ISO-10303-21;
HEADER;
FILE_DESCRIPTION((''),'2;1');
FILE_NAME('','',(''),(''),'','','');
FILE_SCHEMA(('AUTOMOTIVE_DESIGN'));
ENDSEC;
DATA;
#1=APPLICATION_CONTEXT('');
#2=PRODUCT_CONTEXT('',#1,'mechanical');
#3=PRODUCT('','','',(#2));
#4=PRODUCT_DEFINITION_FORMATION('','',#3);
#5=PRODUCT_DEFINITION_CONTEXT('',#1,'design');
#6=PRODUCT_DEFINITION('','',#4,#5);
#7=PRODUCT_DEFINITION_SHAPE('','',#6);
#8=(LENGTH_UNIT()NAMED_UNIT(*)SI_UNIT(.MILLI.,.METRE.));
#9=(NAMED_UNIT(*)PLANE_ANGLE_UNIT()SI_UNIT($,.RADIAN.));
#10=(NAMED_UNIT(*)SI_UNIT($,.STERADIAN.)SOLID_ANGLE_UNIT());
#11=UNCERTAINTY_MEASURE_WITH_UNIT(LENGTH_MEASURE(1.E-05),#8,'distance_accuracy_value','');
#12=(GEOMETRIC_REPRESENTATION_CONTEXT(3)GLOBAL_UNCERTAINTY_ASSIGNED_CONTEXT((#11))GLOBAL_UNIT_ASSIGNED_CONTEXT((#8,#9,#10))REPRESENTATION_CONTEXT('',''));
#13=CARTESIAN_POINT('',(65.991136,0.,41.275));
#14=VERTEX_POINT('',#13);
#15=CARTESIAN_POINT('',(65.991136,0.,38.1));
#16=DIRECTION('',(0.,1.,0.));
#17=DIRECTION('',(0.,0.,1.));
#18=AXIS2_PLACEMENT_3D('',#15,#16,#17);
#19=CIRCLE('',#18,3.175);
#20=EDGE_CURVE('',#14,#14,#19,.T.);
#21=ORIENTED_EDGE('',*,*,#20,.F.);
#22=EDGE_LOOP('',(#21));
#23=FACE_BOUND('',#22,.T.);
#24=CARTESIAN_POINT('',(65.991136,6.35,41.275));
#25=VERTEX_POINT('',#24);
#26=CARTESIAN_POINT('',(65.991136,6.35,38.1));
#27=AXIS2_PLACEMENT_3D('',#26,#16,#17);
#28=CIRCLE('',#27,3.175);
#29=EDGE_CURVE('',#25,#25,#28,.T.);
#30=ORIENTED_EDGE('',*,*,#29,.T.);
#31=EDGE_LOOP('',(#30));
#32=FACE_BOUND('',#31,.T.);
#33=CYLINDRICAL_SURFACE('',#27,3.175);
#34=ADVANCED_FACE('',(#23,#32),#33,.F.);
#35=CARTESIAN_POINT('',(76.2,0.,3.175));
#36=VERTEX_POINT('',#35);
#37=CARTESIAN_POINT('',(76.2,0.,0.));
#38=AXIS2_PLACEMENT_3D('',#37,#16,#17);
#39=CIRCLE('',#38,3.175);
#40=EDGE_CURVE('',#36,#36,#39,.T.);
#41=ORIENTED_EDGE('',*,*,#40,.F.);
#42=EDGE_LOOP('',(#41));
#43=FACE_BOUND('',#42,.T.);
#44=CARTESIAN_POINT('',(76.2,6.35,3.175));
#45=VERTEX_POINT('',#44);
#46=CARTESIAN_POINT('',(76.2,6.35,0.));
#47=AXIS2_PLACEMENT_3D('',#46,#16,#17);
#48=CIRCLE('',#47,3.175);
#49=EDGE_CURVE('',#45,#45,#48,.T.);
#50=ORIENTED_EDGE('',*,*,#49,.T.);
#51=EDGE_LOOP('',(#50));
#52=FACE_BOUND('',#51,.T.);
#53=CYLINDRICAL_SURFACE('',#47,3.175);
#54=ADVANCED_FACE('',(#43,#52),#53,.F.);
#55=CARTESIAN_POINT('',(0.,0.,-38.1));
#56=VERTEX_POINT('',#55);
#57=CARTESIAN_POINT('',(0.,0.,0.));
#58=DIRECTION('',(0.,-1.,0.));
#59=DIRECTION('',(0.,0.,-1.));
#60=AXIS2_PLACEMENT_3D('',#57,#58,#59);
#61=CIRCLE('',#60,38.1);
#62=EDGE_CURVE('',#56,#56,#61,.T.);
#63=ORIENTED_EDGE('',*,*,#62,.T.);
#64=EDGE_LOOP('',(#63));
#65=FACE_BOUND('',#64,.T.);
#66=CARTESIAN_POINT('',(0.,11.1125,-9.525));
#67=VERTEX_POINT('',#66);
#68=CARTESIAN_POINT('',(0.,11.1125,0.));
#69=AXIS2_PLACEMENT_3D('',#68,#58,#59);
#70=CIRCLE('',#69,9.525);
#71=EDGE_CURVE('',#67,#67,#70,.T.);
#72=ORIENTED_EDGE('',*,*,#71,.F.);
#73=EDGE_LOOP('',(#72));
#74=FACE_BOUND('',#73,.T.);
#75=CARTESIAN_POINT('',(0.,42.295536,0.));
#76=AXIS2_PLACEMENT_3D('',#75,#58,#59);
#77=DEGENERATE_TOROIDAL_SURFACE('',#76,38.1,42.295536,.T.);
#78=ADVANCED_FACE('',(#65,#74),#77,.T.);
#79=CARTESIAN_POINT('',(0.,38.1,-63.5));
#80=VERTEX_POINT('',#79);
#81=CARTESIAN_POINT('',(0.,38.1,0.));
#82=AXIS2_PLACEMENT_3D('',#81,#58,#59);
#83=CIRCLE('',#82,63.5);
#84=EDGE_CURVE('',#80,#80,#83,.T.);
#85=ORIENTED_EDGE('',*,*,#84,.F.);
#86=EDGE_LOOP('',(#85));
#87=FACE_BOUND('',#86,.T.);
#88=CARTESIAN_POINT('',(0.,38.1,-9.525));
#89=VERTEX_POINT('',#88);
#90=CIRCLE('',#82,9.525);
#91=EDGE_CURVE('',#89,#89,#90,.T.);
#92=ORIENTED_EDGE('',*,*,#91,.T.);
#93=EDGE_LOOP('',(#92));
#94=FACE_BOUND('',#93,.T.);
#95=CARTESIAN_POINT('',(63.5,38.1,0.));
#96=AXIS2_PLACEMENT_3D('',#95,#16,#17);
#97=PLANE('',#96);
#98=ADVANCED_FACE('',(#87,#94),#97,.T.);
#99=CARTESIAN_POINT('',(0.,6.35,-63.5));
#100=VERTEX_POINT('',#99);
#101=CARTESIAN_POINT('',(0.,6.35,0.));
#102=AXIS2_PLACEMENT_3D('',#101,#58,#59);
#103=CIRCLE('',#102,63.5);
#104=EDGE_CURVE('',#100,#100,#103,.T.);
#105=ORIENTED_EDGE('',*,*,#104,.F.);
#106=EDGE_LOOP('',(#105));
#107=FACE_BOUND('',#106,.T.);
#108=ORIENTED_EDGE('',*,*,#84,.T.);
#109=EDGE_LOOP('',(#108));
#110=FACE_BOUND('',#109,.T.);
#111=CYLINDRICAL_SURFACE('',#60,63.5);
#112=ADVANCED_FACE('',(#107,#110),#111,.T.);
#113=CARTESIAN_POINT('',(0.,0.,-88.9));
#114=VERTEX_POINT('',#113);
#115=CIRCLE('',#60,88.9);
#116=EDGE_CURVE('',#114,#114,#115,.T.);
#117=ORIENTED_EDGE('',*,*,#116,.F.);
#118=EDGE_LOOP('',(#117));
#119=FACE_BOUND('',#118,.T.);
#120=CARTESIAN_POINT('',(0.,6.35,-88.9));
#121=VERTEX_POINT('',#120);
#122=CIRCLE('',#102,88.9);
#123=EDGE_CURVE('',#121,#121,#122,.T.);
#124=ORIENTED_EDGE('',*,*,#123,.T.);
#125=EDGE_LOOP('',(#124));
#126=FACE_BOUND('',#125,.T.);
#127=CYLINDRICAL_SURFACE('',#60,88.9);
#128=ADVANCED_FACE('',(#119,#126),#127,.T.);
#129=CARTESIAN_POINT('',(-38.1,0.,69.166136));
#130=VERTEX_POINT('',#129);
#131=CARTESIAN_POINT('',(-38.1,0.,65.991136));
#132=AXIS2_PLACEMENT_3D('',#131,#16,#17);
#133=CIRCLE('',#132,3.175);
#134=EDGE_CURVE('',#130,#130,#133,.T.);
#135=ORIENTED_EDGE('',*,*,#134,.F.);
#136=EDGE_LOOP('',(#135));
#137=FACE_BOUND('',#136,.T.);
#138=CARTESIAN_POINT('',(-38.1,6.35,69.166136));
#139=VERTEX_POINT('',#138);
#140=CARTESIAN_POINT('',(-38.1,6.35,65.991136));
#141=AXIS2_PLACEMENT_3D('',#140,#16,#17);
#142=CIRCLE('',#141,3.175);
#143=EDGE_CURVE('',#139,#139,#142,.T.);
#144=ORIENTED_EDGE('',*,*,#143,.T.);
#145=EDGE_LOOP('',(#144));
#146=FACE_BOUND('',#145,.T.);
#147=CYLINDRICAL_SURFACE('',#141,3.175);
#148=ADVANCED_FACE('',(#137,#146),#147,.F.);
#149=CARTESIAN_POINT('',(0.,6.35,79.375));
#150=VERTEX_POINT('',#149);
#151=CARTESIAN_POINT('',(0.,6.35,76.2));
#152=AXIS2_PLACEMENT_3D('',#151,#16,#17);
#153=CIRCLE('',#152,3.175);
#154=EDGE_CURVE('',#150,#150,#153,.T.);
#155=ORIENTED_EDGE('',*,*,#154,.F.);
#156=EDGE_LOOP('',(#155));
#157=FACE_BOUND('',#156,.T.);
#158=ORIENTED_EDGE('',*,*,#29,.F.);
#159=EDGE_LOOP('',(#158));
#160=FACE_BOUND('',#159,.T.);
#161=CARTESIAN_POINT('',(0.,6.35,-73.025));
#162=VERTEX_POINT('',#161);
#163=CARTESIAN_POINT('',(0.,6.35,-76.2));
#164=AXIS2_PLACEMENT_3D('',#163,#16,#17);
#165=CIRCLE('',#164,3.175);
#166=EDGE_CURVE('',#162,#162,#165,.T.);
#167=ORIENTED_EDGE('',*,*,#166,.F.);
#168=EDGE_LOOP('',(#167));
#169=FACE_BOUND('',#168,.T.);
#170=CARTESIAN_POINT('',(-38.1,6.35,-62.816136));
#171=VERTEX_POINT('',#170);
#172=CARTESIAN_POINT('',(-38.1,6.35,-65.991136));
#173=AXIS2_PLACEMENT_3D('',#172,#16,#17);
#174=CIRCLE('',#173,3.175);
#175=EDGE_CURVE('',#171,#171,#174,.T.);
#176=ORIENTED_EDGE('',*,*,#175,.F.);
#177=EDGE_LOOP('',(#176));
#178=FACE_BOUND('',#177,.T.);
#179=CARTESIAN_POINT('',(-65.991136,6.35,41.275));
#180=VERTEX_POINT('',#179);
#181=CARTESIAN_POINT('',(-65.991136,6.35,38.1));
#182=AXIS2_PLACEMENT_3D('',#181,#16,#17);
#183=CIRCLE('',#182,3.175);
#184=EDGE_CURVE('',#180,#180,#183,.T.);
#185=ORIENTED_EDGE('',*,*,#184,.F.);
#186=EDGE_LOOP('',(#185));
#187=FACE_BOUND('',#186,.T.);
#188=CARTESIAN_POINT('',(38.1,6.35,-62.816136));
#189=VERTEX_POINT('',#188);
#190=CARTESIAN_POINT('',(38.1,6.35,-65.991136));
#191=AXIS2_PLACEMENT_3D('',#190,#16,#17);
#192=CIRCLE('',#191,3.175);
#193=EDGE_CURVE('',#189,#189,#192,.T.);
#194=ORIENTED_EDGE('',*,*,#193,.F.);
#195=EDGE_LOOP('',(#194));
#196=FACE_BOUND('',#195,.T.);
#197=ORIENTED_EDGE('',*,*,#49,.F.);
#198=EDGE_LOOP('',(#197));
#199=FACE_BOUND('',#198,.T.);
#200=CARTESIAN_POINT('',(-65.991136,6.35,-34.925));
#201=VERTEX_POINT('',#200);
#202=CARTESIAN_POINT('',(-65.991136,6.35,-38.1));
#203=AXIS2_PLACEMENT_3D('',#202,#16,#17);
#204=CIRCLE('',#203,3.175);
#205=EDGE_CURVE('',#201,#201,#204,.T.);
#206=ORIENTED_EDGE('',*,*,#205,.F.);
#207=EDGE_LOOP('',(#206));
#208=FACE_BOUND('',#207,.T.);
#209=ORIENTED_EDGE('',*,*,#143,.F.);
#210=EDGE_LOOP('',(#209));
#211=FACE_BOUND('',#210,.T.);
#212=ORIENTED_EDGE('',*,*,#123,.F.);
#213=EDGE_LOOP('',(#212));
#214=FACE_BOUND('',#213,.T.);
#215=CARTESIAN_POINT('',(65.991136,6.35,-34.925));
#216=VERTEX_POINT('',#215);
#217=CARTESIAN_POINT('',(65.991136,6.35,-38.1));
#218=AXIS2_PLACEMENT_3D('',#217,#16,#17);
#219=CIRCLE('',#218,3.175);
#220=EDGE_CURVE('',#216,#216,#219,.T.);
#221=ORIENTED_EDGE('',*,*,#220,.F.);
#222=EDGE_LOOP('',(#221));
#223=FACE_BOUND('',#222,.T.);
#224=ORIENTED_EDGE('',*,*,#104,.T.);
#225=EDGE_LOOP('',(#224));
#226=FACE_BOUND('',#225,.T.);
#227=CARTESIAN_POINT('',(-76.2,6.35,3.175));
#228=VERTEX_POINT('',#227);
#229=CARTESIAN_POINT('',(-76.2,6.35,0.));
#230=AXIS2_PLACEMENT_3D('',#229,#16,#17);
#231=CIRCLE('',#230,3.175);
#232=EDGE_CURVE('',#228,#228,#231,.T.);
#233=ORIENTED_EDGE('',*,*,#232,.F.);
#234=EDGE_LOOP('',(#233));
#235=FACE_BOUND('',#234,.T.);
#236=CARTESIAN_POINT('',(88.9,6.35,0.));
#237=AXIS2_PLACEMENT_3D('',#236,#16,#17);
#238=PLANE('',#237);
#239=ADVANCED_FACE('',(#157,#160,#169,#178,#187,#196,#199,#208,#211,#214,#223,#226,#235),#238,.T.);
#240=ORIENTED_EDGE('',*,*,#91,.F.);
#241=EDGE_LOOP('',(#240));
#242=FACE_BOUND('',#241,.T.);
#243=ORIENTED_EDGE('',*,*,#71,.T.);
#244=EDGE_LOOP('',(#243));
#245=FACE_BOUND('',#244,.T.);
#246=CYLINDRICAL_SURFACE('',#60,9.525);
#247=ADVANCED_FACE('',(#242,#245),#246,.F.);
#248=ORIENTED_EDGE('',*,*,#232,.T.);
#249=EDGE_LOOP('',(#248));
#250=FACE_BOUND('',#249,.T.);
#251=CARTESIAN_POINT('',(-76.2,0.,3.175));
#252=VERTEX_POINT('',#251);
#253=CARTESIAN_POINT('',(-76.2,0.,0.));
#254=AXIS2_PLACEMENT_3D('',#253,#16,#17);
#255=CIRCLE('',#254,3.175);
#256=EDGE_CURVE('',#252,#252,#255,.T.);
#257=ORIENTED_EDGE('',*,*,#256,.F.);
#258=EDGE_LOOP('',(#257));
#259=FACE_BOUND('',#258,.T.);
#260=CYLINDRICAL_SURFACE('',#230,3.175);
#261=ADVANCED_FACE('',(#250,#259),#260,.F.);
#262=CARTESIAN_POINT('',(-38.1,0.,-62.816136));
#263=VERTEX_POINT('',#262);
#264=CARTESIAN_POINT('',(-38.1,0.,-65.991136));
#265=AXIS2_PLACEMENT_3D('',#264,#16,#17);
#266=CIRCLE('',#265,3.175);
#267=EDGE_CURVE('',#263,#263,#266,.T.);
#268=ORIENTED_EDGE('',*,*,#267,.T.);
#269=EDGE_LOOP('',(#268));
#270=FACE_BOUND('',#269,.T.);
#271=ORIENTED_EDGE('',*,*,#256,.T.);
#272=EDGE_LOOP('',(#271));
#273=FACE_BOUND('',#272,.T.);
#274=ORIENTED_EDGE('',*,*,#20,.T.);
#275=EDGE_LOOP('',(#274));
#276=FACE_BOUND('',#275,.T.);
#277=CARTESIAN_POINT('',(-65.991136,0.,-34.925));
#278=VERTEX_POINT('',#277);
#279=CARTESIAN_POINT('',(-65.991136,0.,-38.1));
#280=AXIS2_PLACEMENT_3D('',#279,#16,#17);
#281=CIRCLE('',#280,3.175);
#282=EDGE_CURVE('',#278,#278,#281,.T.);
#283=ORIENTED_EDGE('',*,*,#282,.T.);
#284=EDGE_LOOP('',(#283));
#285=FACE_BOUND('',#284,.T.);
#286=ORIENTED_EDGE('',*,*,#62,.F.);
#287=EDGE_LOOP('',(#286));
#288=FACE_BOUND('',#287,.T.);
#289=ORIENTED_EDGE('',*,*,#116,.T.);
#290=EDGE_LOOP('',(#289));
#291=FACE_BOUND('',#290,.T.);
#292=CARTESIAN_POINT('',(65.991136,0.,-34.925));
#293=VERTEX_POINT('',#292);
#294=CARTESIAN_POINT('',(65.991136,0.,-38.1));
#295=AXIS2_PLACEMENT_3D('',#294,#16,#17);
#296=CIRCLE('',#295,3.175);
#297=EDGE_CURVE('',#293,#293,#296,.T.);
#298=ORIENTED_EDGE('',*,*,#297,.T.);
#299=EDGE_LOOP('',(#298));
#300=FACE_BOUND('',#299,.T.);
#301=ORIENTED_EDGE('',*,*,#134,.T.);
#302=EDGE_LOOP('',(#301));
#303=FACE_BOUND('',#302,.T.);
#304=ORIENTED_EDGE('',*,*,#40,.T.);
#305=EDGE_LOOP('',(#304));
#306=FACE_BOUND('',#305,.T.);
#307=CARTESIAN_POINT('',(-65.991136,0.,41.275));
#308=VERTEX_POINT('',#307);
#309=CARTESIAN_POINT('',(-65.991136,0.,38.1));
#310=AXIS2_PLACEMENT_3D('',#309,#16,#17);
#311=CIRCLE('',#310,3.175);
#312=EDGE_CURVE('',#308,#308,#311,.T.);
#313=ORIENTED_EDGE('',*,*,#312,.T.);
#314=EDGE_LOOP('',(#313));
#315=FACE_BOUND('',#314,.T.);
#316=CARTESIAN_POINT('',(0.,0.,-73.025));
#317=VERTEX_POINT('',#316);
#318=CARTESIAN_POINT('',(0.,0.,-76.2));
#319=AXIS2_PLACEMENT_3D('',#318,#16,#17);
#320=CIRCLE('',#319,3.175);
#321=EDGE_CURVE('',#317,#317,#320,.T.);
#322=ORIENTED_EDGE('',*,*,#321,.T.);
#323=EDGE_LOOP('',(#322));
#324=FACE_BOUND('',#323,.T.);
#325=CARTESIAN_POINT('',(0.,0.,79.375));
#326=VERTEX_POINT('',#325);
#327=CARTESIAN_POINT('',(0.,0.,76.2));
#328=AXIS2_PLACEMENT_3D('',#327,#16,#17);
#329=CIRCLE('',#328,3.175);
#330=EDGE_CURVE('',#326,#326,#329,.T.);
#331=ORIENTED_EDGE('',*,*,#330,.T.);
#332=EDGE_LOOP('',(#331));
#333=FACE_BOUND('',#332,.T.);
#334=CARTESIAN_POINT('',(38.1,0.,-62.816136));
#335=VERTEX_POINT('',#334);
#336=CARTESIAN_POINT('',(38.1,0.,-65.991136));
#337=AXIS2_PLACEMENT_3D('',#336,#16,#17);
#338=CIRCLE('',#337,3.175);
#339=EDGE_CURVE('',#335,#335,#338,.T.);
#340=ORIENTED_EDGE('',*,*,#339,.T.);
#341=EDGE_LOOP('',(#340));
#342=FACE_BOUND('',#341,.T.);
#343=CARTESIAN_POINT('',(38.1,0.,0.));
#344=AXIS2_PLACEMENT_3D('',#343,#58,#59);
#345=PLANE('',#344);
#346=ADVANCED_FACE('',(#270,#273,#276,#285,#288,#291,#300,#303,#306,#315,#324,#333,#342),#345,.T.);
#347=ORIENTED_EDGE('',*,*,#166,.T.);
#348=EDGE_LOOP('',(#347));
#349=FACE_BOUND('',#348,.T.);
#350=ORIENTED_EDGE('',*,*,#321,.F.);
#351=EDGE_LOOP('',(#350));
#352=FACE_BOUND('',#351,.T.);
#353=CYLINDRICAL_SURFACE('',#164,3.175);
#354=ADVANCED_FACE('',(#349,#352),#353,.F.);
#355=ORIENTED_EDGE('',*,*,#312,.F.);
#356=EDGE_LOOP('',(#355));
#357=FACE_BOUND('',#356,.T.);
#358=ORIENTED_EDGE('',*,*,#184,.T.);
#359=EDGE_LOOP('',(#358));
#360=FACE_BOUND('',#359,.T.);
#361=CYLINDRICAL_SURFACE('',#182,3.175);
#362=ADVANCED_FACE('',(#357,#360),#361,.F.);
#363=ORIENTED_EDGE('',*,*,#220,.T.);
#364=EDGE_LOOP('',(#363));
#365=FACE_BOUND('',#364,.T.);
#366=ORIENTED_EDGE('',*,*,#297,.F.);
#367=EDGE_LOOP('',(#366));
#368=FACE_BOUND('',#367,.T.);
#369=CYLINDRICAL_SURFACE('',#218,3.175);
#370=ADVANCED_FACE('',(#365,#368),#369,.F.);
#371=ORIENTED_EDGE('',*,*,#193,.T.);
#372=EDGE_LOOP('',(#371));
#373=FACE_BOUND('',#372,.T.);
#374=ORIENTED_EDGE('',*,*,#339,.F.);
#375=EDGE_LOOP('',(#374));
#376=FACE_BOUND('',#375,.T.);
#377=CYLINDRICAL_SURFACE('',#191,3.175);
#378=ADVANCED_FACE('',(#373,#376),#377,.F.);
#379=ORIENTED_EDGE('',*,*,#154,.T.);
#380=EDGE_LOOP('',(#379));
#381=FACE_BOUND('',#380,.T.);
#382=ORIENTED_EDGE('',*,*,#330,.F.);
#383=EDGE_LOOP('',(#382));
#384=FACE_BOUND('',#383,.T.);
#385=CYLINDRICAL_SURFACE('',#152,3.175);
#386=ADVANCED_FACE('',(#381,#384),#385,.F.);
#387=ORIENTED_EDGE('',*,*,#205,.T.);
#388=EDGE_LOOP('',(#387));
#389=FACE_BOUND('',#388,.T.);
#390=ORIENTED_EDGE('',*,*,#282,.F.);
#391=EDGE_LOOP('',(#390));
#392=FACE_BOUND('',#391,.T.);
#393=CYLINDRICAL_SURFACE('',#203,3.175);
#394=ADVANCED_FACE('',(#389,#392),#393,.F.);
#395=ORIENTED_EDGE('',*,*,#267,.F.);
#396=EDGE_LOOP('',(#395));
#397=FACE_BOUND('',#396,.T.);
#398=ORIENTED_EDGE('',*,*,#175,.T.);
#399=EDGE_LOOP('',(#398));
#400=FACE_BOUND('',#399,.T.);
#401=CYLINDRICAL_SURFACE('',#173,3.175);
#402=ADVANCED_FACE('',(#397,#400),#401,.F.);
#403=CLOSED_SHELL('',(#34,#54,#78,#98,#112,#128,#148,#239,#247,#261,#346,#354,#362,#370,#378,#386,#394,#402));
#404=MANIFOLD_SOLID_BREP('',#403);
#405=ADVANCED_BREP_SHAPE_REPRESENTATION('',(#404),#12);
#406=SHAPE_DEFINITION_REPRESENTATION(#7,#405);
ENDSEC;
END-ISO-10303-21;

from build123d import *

# Parameters (mm, degrees)
F_1_4_0_25_DIAMETER_HOLE1_D = 6.35
CIRPATTERN2_COUNT           = 12


with BuildPart() as part:
    # Sketch1 → Revolve1 (revolve)
    with BuildSketch(Plane.XY, mode=Mode.PRIVATE) as revolve1_sk:
        with BuildLine():
            Line((9.525, 38.1), (9.525, 11.1125))
            ThreePointArc((9.525, 11.1125), (22.770141217, 2.875898843), (38.1, 0))
            Line((38.1, 0), (88.9, 0))
            Line((88.9, 0), (88.9, 6.35))
            Line((88.9, 6.35), (63.5, 6.35))
            Line((63.5, 6.35), (63.5, 38.1))
            Line((63.5, 38.1), (9.525, 38.1))
        make_face()
    revolve(revolve1_sk.sketch.rotate(Axis((0, 0, 0), (0, 1, 0)), 90), axis=Axis((0, 0, 0), (0, 1, 0)))

    # 1/4 (0.25) Diameter Hole1 (through all)
    with Locations(Plane(origin=(0, 6.35, 0), x_dir=(1, 0, 0), z_dir=(0, 1, 0))):
        with Locations((0, -76.2)):
            f_1_4_0_25_diameter_hole1 = Hole(F_1_4_0_25_DIAMETER_HOLE1_D / 2)

    # CirPattern2: 1/4 (0.25) Diameter Hole1 ×12 about axis, 1 skipped
    cirpattern2_axis = Axis((0, 0, 0), (0, 1, 0))
    add([f_1_4_0_25_diameter_hole1.rotate(cirpattern2_axis, i * 360 / CIRPATTERN2_COUNT) for i in range(1, CIRPATTERN2_COUNT) if i not in (1,)], mode=Mode.SUBTRACT)


solid = part.part
